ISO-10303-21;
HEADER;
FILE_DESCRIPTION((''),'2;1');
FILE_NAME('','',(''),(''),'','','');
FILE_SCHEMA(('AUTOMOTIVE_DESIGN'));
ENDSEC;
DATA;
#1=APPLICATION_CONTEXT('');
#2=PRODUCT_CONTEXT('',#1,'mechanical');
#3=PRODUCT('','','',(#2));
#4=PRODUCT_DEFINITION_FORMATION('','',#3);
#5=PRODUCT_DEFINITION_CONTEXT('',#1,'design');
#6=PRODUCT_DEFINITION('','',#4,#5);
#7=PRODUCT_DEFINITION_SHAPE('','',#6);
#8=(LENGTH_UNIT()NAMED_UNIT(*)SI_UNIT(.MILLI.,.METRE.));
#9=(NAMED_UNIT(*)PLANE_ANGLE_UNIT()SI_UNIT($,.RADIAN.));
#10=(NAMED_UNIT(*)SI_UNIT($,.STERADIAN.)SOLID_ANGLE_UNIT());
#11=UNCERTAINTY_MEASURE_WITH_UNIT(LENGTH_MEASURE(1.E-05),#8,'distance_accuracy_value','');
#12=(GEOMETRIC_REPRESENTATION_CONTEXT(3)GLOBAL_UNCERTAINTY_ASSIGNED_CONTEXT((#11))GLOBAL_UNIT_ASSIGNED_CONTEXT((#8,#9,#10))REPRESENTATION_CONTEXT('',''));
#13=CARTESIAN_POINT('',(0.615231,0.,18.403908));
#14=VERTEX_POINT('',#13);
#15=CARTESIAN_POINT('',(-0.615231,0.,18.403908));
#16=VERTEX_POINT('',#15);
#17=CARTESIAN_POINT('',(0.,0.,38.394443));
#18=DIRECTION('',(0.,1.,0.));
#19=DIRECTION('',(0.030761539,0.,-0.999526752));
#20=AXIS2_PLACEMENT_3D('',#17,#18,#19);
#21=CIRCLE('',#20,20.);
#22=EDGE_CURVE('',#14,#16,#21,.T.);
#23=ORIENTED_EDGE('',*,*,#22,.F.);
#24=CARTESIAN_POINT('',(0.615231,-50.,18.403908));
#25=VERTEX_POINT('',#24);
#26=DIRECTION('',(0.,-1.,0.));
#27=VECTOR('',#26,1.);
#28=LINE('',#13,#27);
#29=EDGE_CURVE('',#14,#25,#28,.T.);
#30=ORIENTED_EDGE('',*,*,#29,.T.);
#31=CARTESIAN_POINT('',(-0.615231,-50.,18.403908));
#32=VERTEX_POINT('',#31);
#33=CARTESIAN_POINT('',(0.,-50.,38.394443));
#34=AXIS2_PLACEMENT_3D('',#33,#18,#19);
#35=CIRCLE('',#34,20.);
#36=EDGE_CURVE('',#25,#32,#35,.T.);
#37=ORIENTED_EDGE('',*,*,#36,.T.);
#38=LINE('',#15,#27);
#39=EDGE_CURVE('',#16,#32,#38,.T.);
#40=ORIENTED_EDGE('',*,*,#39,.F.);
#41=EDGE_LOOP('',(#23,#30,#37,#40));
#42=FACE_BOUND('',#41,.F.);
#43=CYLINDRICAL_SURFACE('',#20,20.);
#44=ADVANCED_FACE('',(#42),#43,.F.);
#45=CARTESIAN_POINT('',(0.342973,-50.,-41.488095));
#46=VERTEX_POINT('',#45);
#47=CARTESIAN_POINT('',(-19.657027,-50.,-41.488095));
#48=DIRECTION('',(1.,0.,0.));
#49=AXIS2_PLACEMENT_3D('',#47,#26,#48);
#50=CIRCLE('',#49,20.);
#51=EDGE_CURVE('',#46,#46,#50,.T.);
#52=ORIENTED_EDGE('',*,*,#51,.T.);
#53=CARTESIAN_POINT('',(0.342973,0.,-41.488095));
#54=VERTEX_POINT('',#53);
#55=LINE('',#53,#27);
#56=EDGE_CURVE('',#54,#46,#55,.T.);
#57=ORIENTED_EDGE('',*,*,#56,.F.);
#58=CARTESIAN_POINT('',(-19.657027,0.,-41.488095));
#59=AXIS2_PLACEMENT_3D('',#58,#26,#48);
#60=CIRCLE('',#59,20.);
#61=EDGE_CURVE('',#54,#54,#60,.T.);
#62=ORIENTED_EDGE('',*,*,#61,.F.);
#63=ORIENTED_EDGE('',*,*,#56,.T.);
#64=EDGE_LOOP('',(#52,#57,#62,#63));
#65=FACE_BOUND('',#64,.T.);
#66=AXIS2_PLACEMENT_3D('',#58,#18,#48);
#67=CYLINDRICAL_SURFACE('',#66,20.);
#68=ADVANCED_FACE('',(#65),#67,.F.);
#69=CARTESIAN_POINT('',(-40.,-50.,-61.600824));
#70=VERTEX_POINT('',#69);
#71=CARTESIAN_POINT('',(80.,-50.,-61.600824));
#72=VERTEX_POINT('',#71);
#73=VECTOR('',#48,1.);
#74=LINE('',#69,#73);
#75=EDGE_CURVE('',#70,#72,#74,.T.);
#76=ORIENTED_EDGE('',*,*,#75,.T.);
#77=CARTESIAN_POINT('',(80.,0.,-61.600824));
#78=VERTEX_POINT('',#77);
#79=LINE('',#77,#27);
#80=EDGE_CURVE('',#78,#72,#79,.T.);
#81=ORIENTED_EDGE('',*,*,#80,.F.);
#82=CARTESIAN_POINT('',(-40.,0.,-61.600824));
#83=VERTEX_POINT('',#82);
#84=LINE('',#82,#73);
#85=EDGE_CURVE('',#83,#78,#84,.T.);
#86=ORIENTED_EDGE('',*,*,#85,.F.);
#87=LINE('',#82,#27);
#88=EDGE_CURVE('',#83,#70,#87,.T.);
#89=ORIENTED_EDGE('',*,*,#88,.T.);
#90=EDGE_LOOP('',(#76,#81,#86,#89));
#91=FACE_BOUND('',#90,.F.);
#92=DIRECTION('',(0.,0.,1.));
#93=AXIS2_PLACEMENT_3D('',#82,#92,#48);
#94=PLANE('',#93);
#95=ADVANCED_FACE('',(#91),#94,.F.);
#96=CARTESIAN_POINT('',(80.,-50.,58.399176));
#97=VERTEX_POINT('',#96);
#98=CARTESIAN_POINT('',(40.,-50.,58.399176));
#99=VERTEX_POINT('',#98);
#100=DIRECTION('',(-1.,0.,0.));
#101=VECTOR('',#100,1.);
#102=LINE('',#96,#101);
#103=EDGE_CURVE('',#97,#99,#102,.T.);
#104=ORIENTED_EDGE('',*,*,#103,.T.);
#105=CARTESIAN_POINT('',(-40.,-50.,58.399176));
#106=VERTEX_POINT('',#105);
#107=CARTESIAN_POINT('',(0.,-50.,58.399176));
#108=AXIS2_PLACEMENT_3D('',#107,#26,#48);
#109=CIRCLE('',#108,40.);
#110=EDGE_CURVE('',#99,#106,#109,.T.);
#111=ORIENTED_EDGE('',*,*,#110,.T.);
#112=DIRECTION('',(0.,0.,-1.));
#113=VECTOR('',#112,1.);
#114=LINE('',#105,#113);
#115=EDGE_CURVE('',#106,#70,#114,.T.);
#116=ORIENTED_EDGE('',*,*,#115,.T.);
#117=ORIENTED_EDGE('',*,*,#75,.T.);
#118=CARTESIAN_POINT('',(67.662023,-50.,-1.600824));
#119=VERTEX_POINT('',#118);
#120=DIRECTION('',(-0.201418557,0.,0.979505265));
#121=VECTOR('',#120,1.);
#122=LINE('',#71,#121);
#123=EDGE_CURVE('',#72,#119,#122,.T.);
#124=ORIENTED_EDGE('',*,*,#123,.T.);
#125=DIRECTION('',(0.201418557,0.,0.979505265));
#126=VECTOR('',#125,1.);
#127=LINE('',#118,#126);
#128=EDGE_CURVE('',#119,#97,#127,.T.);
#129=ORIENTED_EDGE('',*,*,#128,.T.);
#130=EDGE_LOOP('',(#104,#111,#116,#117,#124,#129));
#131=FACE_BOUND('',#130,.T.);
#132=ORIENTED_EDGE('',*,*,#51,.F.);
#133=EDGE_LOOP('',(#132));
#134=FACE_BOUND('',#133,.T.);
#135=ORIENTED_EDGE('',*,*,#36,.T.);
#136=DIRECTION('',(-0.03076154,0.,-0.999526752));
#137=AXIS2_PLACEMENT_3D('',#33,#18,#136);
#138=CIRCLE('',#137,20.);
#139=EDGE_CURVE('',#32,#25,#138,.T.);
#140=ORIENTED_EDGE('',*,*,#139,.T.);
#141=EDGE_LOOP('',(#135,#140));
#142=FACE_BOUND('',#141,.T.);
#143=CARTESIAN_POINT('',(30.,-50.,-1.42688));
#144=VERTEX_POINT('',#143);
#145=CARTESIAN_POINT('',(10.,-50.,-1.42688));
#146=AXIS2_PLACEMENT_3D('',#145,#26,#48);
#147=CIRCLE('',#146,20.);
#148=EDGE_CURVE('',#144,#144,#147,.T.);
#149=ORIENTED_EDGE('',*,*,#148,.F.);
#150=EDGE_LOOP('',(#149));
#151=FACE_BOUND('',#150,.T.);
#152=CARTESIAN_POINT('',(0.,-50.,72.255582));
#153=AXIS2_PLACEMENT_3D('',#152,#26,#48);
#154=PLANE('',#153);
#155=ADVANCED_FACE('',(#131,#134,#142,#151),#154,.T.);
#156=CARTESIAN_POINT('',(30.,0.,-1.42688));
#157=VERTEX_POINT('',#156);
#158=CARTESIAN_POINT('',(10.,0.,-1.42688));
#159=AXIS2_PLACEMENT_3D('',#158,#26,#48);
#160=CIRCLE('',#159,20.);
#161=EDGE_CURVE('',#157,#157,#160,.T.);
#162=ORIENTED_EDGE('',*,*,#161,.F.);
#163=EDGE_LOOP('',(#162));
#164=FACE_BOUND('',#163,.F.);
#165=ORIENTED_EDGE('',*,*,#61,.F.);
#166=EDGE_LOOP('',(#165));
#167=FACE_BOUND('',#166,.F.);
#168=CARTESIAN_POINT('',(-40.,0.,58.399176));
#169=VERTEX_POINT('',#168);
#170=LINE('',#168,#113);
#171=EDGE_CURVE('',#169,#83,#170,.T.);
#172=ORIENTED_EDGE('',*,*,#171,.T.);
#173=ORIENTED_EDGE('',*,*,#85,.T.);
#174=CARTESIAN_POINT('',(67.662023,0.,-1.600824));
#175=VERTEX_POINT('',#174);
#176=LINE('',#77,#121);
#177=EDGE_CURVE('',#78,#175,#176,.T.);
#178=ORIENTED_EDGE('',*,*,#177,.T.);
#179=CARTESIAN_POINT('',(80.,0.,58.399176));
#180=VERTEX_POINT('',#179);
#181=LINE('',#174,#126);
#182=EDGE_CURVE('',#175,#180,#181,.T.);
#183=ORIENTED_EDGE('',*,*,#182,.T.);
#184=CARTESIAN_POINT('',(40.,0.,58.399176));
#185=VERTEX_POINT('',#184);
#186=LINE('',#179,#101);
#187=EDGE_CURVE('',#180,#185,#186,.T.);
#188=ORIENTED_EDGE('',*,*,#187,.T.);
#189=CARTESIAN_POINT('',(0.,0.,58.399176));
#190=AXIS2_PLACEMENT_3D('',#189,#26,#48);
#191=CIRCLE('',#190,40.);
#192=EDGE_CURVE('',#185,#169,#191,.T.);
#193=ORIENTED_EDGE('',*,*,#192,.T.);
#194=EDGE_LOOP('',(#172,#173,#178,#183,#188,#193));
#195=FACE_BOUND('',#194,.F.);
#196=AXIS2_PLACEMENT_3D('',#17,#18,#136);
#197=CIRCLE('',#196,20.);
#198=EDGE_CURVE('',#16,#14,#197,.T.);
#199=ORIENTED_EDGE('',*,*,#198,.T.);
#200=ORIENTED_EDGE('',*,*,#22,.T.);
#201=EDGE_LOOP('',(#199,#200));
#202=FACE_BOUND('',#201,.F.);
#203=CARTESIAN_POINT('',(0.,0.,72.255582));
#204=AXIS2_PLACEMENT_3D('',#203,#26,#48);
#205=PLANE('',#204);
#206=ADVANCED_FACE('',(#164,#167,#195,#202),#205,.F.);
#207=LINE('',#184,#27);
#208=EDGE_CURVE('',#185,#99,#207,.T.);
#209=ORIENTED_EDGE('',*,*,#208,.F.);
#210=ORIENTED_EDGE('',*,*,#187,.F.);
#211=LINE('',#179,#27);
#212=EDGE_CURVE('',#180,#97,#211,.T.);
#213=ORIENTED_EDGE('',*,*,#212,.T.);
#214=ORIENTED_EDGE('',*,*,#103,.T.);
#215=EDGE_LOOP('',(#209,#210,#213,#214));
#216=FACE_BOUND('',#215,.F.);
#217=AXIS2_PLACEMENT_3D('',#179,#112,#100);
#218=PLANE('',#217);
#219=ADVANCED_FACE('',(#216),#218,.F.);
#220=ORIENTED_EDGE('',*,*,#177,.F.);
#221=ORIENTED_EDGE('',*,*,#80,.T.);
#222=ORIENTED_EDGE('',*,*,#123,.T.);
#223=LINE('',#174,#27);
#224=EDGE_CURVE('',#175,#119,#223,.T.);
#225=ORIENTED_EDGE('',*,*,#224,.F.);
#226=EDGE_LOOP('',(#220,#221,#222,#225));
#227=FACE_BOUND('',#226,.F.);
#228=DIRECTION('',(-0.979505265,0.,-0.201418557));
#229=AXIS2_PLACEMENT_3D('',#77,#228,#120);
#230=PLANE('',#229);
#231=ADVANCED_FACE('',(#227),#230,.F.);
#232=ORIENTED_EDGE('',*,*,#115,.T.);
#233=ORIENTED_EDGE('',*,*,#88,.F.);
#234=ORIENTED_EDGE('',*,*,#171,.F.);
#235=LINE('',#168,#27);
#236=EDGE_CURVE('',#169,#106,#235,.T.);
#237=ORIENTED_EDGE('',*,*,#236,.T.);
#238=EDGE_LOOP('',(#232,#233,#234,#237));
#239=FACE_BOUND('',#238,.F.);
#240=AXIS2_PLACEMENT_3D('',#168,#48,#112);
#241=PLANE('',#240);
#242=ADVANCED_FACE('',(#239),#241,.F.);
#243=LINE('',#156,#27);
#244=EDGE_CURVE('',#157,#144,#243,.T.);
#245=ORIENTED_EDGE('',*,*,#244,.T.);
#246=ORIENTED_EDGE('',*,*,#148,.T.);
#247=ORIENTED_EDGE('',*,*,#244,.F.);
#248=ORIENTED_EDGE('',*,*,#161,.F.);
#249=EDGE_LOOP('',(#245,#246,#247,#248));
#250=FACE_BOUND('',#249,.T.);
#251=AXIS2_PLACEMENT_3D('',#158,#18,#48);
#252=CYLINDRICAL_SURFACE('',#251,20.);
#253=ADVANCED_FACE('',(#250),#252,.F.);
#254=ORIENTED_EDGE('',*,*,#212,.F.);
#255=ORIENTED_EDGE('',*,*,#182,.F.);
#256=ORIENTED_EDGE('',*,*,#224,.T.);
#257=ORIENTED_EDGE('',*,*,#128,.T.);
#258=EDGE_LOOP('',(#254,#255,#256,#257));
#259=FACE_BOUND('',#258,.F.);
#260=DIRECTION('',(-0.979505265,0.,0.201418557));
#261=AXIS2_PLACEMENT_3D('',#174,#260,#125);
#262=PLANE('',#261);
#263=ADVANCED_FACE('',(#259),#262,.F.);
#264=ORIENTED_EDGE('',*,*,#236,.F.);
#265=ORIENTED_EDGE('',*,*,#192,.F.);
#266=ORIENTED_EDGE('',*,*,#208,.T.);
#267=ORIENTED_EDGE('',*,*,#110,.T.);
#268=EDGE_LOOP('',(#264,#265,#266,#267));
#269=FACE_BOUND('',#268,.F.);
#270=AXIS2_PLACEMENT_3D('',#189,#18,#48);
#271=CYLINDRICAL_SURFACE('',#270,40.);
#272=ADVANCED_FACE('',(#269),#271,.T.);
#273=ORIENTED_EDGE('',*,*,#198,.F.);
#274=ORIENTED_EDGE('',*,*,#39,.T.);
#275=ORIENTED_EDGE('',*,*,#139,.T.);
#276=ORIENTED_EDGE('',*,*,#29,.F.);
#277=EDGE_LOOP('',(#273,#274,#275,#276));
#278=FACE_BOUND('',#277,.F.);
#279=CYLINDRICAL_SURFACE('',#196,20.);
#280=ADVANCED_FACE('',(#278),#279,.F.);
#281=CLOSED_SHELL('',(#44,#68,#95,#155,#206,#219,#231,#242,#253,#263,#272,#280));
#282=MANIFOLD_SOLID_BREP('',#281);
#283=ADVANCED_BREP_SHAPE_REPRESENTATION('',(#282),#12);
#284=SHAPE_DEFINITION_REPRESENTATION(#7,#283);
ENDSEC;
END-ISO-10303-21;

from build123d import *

# Parameters (mm, degrees)
F0_R     = 20
F1_DEPTH = 50


with BuildPart() as f1:
    # F0 (on Front) → F1 (new body)
    with BuildSketch(Plane.XZ):
        with BuildLine():
            Line((-40, 58.3991758844), (40, 58.3991758844))
            ThreePointArc((40, 58.3991758844), (0, 98.3991758844), (-40, 58.3991758844))
        make_face()
        with BuildLine():
            Line((40, -61.6008241156), (40, 58.3991758844))
            ThreePointArc((40, 58.3991758844), (28.5009581568, 30.3332644588), (0.6152307927, 18.4039075258))
            ThreePointArc((0.6152307927, 18.4039075258), (0, 18.394442563), (-0.6152307927, 18.4039075258))
            ThreePointArc((-0.6152307927, 18.4039075258), (-28.5009581568, 30.3332644588), (-40, 58.3991758844))
            Line((-40, 58.3991758844), (-40, -61.6008241156))
            Line((-40, -61.6008241156), (40, -61.6008241156))
        make_face()
        with Locations((-19.6570269763, -41.4880953831)):
            Circle(F0_R, mode=Mode.SUBTRACT)
        with Locations((10, -1.4268804444)):
            Circle(F0_R, mode=Mode.SUBTRACT)
        with BuildLine():
            ThreePointArc((0.6152307927, 18.4039075258), (28.5009581568, 30.3332644588), (40, 58.3991758844))
            Line((40, 58.3991758844), (-40, 58.3991758844))
            ThreePointArc((-40, 58.3991758844), (-28.5009581568, 30.3332644588), (-0.6152307927, 18.4039075258))
            ThreePointArc((-0.6152307927, 18.4039075258), (-13.9229196677, 52.7524475751), (20, 38.394442563))
            ThreePointArc((20, 38.394442563), (14.3580050121, 24.4715228953), (0.6152307927, 18.4039075258))
        make_face()
        Polygon((80, 58.3991758844), (40, 58.3991758844), (40, -61.6008241156), (80, -61.6008241156), (67.6620230079, -1.6008241156), align=None)
    extrude(amount=F1_DEPTH)


solid = f1.part
